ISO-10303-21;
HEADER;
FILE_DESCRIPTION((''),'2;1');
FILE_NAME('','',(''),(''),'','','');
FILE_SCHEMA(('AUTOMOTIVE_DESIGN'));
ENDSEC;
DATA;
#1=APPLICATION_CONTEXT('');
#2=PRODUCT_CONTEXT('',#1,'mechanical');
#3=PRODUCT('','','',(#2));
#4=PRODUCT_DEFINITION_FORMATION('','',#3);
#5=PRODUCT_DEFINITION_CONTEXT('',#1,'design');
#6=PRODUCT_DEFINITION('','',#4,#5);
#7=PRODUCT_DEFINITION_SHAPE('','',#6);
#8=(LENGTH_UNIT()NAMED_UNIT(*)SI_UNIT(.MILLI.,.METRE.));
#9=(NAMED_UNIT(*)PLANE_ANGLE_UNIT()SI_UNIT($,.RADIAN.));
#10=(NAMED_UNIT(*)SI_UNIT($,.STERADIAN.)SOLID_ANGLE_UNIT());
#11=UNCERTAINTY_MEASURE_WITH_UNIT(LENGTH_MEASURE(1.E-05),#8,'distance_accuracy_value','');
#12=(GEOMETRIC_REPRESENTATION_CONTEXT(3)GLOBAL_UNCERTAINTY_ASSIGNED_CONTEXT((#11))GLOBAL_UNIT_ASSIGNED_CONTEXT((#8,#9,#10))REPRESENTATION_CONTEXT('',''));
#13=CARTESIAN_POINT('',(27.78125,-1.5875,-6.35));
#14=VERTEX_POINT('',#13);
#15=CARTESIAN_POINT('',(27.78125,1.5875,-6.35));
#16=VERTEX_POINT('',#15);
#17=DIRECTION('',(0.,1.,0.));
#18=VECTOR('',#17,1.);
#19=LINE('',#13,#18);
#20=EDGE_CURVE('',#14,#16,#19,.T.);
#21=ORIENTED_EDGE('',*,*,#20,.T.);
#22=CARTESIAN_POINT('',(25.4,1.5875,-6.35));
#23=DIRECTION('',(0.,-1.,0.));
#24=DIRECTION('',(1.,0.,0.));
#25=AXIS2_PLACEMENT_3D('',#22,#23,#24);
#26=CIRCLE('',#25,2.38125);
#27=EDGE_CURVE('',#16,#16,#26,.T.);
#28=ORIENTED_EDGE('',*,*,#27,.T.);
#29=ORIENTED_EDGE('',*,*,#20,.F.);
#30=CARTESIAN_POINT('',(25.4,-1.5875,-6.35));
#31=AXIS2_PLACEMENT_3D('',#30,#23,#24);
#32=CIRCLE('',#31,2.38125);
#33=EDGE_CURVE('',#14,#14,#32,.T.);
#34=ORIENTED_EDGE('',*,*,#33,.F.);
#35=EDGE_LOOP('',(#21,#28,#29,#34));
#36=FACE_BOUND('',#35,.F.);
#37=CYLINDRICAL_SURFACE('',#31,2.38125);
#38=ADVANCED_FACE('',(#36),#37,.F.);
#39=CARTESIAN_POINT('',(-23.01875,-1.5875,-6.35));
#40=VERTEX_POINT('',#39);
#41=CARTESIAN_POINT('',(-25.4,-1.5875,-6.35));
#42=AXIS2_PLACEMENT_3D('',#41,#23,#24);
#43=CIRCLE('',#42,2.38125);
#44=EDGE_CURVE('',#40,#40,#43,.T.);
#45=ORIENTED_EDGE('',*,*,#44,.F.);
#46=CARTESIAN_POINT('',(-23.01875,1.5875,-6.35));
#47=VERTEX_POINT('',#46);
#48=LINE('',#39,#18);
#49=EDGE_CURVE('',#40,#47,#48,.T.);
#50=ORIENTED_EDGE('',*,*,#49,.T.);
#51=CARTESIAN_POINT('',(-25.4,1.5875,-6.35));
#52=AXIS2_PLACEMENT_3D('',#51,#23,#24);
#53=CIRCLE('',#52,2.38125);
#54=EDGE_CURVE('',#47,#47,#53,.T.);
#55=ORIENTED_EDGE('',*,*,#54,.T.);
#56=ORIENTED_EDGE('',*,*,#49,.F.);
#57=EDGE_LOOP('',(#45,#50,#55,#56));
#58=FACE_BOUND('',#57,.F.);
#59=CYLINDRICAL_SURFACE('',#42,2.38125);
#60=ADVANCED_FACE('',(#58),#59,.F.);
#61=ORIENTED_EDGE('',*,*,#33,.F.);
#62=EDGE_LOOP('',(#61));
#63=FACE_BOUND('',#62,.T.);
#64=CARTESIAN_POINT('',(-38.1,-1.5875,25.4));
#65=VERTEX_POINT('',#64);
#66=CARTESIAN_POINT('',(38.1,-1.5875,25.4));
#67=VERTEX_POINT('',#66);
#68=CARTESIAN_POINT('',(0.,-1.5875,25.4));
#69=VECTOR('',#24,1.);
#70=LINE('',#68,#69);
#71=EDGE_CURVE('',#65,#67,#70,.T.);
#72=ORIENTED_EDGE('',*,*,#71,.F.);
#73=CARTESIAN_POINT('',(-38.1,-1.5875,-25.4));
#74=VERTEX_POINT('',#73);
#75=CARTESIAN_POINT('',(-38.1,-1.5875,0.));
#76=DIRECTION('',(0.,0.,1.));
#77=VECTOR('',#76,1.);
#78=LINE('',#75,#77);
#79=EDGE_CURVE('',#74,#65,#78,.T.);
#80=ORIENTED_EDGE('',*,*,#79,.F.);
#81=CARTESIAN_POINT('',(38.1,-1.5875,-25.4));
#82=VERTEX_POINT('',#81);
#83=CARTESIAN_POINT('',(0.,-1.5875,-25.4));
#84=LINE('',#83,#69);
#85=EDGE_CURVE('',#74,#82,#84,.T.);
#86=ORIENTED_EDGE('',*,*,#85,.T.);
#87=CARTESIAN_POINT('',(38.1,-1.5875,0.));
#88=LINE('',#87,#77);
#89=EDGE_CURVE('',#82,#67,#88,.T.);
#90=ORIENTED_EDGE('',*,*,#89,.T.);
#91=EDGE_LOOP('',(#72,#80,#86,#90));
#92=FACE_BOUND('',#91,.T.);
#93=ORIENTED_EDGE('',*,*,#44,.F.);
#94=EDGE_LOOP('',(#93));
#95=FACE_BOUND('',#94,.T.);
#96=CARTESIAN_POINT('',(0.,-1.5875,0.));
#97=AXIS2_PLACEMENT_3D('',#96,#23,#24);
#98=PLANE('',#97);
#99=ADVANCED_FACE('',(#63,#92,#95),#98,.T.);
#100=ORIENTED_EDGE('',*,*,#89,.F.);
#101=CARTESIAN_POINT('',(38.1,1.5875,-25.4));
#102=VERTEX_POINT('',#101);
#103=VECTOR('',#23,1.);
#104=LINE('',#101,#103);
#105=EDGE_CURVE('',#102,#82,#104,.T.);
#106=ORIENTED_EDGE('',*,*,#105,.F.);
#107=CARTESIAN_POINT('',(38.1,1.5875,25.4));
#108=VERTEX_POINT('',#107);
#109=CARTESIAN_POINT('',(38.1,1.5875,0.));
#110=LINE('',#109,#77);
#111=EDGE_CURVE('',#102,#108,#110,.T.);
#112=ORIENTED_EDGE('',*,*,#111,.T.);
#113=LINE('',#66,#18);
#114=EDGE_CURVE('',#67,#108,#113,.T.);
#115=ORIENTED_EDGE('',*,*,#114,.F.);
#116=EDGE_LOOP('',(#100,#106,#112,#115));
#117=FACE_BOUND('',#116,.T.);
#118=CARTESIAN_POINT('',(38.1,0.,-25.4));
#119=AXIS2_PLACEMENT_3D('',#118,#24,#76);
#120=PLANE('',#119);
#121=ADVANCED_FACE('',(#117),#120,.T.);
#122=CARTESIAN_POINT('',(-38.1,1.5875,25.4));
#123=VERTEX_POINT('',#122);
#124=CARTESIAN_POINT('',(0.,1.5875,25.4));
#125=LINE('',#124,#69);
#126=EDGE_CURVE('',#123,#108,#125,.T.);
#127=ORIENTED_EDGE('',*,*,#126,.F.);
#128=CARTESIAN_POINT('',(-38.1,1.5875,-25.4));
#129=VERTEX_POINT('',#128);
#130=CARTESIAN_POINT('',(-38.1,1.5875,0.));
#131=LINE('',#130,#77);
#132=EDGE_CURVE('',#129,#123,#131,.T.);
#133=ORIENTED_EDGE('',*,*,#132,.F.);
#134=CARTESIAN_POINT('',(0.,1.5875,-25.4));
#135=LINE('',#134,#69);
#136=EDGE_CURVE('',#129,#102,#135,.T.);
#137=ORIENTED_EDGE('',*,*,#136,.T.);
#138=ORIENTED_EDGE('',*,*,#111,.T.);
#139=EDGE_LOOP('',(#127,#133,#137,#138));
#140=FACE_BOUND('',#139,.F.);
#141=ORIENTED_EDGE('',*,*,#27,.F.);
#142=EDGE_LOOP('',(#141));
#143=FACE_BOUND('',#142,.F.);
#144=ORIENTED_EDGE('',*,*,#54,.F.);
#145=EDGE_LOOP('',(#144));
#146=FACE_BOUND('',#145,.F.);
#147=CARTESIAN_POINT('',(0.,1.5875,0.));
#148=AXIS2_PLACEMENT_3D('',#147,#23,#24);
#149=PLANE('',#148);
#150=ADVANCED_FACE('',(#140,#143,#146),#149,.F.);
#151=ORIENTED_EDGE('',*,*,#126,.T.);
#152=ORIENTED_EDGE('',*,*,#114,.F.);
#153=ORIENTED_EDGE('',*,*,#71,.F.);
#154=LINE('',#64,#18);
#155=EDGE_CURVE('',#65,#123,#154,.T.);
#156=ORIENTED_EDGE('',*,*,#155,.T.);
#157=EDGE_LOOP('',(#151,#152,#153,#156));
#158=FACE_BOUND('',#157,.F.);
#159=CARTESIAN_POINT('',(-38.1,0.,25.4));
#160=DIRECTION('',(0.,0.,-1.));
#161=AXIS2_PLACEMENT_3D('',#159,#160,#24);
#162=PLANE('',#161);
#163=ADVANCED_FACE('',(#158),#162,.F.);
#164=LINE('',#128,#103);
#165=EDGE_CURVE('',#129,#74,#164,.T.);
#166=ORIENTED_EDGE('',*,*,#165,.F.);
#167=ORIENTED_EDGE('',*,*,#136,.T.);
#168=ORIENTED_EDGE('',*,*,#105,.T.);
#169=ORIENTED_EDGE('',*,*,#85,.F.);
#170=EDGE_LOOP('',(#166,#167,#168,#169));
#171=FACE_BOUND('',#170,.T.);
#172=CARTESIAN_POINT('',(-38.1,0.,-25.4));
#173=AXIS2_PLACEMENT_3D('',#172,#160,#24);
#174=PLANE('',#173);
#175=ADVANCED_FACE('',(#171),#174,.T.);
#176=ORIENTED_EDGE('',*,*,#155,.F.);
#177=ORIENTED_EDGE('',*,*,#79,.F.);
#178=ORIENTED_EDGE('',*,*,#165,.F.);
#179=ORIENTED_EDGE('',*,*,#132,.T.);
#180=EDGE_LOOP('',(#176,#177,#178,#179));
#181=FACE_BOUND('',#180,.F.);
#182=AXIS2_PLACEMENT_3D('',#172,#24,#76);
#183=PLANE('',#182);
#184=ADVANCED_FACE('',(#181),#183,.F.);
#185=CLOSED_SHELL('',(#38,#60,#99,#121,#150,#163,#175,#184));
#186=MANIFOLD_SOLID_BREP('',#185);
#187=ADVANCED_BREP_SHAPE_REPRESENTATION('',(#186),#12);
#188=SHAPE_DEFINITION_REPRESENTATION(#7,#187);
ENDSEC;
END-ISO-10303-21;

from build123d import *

# Parameters (mm, degrees)
F0_W     = 76.2
F0_H     = 50.8
F1_DEPTH = 1.5875
F2_R     = 2.38125
F4_DEPTH = 3.175
F3_R     = 2.38125
F5_DEPTH = 3.175


with BuildPart() as f1:
    # F0 (on Front) → F1 (new body, symmetric)
    with BuildSketch(Plane.XZ):
        Rectangle(F0_W, F0_H)
    extrude(amount=F1_DEPTH, both=True)

    # F2 (on face) → F4 (cut)
    with BuildSketch(Plane.XZ.offset(1.5875)):
        with Locations((-25.4, -6.35)):
            Circle(F2_R)
    extrude(amount=-F4_DEPTH, mode=Mode.SUBTRACT)

    # F3 (on face) → F5 (cut)
    with BuildSketch(Plane.XZ.offset(1.5875)):
        with Locations((25.4, -6.35)):
            Circle(F3_R)
    extrude(amount=-F5_DEPTH, mode=Mode.SUBTRACT)


solid = f1.part
